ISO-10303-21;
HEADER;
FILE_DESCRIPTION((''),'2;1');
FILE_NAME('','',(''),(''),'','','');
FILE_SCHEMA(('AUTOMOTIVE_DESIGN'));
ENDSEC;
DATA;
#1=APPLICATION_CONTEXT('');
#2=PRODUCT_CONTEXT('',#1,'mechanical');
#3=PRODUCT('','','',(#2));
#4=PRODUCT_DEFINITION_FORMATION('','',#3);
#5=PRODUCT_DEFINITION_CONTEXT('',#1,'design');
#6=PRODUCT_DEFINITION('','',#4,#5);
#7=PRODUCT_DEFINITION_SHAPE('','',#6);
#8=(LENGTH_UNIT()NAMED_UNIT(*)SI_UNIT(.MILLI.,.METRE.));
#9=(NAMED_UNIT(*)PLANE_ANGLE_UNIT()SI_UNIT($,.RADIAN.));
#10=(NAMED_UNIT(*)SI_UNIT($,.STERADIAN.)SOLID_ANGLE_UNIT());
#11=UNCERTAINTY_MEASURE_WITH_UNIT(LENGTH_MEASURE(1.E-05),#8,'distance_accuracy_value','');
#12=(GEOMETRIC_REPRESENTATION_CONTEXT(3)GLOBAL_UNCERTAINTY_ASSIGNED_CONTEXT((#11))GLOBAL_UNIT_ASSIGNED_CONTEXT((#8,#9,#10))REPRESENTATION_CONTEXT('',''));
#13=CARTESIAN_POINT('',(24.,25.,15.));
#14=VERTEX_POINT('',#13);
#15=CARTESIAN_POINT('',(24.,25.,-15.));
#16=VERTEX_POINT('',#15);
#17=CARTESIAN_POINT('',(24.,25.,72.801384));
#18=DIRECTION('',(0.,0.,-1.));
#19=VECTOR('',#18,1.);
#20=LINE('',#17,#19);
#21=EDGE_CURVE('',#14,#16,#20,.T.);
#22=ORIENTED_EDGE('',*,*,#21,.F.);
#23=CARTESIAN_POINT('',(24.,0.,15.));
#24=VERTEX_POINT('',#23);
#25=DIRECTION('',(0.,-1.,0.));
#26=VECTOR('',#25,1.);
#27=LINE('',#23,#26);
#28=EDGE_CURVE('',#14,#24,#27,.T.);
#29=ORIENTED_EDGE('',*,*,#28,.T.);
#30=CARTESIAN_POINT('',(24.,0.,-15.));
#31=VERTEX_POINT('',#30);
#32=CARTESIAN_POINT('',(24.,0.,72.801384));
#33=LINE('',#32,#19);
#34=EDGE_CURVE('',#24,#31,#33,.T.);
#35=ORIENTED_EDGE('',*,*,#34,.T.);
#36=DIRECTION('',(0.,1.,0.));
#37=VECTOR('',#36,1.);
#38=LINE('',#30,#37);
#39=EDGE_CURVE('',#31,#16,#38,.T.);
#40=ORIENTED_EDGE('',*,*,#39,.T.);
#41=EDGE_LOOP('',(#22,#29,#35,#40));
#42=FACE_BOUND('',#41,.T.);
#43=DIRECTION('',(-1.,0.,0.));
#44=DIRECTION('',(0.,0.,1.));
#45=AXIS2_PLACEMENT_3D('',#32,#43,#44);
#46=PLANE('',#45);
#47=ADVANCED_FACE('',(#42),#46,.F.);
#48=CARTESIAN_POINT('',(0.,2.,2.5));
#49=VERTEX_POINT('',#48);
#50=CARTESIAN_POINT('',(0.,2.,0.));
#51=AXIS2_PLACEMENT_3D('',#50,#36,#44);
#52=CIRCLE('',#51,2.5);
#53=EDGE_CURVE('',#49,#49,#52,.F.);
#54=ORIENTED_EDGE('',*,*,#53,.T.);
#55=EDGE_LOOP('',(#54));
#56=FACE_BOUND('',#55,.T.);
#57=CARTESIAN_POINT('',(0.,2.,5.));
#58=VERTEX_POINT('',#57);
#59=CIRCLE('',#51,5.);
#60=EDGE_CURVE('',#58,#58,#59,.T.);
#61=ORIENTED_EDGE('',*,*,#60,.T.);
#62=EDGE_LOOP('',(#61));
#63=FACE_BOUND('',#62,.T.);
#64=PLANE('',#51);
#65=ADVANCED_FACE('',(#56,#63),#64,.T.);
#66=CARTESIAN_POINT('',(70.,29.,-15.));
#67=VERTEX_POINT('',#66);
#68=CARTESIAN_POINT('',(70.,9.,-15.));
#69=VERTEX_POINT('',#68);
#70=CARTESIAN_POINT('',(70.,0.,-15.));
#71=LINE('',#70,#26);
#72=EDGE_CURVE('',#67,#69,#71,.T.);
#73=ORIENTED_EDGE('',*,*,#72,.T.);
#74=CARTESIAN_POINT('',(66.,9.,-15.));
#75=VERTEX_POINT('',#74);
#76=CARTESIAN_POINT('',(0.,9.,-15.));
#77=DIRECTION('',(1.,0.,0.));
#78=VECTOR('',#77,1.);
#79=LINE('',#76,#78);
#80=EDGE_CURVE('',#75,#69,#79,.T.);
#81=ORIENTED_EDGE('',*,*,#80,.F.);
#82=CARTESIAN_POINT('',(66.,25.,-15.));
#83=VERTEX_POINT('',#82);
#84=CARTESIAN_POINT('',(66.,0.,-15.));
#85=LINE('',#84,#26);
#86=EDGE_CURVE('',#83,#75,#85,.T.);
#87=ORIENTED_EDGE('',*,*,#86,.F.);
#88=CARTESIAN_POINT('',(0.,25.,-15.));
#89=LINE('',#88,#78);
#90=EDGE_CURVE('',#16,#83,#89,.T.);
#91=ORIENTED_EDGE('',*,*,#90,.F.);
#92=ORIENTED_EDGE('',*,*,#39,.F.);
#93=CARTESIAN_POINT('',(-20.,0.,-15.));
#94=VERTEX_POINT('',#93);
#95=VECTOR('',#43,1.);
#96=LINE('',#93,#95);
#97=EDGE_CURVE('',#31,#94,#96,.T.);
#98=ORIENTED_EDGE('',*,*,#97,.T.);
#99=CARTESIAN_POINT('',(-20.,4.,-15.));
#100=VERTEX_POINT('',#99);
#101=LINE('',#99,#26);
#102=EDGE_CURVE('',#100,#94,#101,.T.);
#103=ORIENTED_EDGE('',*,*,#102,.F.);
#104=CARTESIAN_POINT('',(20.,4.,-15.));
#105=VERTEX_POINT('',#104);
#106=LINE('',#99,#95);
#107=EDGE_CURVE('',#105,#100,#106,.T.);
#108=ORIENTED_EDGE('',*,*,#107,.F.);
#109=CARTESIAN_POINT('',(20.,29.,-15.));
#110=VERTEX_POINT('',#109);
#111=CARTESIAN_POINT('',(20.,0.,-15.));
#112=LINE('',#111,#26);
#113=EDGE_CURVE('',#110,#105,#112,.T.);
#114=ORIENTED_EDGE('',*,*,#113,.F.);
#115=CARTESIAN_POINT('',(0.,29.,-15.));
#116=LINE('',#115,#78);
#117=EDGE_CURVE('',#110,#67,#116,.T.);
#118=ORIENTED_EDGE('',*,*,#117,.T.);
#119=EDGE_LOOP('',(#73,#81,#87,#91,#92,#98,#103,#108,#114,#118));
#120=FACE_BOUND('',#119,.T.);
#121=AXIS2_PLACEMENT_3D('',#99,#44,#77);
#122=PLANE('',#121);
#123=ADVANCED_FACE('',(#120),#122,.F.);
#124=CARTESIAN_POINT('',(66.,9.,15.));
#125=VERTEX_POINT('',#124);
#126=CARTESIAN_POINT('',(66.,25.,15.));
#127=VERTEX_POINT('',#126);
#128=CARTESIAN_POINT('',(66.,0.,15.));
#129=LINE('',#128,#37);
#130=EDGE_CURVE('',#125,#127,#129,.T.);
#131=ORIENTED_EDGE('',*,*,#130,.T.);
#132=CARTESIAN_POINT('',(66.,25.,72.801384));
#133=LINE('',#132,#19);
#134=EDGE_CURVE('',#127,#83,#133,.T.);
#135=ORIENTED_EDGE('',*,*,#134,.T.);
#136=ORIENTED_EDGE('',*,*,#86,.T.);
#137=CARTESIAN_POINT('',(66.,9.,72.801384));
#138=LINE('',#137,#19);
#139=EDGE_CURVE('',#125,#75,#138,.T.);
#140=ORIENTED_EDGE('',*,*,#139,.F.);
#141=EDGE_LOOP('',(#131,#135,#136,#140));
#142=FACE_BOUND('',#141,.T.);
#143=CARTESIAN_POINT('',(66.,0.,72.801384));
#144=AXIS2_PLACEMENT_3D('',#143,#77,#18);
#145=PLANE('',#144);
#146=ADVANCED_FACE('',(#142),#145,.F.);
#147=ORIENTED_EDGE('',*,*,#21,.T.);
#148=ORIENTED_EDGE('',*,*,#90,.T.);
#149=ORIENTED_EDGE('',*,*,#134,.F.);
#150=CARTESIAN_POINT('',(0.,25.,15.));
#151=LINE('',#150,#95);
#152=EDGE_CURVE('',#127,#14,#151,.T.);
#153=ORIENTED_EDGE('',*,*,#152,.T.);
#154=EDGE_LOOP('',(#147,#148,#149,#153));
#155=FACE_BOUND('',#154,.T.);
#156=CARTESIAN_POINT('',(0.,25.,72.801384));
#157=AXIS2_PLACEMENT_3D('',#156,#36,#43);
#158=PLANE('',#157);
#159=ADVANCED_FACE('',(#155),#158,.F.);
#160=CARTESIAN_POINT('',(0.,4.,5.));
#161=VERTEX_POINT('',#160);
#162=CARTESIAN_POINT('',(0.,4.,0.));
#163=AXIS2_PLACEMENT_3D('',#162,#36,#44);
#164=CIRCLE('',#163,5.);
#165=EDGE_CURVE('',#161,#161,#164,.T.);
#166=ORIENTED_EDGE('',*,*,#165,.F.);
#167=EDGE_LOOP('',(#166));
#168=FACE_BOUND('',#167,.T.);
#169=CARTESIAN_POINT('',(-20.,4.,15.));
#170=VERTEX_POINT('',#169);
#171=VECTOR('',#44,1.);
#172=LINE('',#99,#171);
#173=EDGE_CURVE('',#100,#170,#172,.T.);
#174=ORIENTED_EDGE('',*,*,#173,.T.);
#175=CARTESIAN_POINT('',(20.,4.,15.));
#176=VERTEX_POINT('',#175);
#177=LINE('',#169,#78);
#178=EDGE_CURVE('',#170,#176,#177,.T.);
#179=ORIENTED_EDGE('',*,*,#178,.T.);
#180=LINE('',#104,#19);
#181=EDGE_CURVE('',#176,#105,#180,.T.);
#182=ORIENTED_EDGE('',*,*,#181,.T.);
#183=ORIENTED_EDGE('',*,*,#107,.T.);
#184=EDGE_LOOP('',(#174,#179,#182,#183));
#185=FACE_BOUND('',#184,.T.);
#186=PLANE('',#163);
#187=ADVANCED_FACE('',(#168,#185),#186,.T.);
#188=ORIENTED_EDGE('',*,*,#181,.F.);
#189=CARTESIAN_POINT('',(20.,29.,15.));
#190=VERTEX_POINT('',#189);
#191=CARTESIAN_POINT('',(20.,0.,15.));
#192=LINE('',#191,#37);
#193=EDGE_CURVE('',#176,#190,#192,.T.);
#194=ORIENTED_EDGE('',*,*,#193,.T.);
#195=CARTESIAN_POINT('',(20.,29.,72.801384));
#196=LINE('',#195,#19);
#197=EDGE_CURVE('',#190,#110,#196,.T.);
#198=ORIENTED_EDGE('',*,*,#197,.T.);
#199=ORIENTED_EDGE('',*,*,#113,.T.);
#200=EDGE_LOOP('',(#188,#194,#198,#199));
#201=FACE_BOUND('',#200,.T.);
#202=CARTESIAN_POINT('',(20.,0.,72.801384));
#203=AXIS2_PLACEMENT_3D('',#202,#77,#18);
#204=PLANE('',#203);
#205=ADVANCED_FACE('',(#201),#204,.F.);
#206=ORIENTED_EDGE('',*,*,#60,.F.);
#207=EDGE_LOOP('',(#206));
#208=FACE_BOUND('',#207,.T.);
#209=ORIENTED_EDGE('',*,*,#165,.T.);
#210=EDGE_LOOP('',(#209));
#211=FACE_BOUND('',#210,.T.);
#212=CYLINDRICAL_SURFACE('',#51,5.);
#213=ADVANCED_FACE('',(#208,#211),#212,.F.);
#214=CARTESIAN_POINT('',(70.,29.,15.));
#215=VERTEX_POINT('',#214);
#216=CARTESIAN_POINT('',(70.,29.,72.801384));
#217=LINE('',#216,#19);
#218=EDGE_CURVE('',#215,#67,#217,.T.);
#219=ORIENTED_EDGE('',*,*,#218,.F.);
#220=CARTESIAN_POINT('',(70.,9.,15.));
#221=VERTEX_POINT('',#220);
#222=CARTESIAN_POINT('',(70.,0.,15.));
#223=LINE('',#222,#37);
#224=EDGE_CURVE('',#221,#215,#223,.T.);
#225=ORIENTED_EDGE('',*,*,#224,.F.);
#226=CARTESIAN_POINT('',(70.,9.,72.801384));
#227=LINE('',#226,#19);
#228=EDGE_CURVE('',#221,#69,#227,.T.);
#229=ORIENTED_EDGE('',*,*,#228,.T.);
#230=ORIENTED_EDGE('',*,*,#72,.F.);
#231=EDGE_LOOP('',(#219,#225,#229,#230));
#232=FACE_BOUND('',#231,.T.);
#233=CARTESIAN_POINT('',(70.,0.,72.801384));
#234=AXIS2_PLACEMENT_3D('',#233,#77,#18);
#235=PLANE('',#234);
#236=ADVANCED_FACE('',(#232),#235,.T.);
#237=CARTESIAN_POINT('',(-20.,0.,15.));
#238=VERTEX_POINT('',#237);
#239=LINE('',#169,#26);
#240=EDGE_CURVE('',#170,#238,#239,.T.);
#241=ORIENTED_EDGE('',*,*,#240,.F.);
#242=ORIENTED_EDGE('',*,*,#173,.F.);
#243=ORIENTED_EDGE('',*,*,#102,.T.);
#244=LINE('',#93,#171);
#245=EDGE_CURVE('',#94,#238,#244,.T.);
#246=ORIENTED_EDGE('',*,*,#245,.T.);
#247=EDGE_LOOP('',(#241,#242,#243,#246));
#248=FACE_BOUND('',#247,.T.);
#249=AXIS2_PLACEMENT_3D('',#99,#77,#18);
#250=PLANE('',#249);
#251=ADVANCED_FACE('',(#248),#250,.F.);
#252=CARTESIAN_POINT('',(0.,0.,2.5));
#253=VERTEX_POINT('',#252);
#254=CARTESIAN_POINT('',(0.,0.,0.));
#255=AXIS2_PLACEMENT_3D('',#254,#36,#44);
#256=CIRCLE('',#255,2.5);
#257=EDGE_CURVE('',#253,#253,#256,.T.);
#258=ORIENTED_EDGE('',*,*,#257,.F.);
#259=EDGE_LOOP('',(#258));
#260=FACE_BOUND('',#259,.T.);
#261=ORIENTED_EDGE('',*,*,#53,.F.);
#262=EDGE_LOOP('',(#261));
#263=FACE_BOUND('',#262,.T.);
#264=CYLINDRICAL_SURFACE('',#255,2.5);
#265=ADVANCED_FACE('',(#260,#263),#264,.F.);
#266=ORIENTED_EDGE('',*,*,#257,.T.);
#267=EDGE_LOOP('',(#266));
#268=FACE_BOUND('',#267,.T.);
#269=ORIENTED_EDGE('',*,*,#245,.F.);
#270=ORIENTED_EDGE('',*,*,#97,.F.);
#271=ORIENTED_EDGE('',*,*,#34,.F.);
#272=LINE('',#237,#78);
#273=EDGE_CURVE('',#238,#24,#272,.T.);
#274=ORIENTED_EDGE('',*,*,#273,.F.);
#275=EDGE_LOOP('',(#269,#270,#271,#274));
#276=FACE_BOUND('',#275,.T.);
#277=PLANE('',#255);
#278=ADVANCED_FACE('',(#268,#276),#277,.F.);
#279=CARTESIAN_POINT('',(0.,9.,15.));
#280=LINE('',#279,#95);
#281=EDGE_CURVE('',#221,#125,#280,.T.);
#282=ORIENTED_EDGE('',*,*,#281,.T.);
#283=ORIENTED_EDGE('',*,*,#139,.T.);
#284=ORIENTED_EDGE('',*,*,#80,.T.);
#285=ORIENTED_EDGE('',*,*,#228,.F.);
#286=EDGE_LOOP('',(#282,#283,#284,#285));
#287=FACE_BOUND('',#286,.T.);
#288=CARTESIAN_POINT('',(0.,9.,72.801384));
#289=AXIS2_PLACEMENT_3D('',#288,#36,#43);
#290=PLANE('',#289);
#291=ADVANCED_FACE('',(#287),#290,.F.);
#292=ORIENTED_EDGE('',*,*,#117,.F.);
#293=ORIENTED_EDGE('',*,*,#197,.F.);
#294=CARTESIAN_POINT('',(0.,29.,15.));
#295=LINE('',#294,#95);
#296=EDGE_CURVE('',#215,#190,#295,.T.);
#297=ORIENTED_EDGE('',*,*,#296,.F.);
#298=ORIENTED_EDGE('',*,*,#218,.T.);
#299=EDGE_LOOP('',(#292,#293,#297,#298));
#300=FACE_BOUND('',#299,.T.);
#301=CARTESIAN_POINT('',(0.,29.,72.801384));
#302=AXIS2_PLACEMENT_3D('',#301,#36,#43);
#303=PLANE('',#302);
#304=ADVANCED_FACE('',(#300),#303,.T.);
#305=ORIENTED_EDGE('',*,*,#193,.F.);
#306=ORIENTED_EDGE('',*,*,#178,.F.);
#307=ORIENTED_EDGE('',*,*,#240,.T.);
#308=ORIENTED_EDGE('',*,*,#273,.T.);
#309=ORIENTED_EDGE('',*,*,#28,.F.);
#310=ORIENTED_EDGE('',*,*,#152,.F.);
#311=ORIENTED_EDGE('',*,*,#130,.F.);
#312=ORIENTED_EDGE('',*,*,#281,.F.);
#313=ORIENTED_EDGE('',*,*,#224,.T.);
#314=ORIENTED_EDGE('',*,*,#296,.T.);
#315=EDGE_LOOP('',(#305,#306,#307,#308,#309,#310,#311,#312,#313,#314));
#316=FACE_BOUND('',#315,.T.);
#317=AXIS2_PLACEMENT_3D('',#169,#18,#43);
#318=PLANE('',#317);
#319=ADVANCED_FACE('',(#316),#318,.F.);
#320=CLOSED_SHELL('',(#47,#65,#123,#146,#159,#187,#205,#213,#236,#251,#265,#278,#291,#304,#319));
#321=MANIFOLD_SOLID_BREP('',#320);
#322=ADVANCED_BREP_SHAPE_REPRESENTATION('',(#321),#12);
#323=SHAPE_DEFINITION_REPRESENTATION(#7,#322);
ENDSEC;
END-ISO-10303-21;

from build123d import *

# Parameters (mm, degrees)
SKETCH1_W           = 40
SKETCH1_H           = 30
BOSS_EXTRUDE1_DEPTH = 4
SKETCH2_R           = 2.5
CUT_EXTRUDE1_DEPTH  = 26.317977802
SKETCH3_R           = 5
CUT_EXTRUDE2_DEPTH  = 2
BOSS_EXTRUDE2_DEPTH = 30


with BuildPart() as part:
    # Sketch1 → Boss-Extrude1 (new body)
    with BuildSketch(Plane(origin=(0, 0, 0), x_dir=(1, 0, 0), z_dir=(0, 1, 0))):
        Rectangle(SKETCH1_W, SKETCH1_H)
    extrude(amount=BOSS_EXTRUDE1_DEPTH)

    # Sketch2 → Cut-Extrude1 (cut, through all)
    with BuildSketch(Plane(origin=(0, 4, 0), x_dir=(1, 0, 0), z_dir=(0, 1, 0))):
        with Locations(Location((0, 0, 0), (0, 0, 270))):
            Circle(SKETCH2_R)
    extrude(amount=-CUT_EXTRUDE1_DEPTH, mode=Mode.SUBTRACT)

    # Sketch3 → Cut-Extrude2 (cut)
    with BuildSketch(Plane(origin=(0, 4, 0), x_dir=(1, 0, 0), z_dir=(0, 1, 0))):
        with Locations(Location((0, 0, 0), (0, 0, 270))):
            Circle(SKETCH3_R)
    extrude(amount=-CUT_EXTRUDE2_DEPTH, mode=Mode.SUBTRACT)

    # Sketch4 → Boss-Extrude2 (add)
    with BuildSketch(Plane(origin=(0, 0, -15), x_dir=(-1, 0, 0), z_dir=(0, 0, -1))):
        Polygon((-24, 0), (-20, 0), (-20, 4), (-20, 25), (-24, 25), align=None)
        Polygon((-66, 25), (-24, 25), (-20, 25), (-20, 29), (-66, 29), align=None)
        Polygon((-66, 9), (-66, 25), (-66, 29), (-70, 29), (-70, 9), align=None)
    extrude(amount=-BOSS_EXTRUDE2_DEPTH)


solid = part.part
